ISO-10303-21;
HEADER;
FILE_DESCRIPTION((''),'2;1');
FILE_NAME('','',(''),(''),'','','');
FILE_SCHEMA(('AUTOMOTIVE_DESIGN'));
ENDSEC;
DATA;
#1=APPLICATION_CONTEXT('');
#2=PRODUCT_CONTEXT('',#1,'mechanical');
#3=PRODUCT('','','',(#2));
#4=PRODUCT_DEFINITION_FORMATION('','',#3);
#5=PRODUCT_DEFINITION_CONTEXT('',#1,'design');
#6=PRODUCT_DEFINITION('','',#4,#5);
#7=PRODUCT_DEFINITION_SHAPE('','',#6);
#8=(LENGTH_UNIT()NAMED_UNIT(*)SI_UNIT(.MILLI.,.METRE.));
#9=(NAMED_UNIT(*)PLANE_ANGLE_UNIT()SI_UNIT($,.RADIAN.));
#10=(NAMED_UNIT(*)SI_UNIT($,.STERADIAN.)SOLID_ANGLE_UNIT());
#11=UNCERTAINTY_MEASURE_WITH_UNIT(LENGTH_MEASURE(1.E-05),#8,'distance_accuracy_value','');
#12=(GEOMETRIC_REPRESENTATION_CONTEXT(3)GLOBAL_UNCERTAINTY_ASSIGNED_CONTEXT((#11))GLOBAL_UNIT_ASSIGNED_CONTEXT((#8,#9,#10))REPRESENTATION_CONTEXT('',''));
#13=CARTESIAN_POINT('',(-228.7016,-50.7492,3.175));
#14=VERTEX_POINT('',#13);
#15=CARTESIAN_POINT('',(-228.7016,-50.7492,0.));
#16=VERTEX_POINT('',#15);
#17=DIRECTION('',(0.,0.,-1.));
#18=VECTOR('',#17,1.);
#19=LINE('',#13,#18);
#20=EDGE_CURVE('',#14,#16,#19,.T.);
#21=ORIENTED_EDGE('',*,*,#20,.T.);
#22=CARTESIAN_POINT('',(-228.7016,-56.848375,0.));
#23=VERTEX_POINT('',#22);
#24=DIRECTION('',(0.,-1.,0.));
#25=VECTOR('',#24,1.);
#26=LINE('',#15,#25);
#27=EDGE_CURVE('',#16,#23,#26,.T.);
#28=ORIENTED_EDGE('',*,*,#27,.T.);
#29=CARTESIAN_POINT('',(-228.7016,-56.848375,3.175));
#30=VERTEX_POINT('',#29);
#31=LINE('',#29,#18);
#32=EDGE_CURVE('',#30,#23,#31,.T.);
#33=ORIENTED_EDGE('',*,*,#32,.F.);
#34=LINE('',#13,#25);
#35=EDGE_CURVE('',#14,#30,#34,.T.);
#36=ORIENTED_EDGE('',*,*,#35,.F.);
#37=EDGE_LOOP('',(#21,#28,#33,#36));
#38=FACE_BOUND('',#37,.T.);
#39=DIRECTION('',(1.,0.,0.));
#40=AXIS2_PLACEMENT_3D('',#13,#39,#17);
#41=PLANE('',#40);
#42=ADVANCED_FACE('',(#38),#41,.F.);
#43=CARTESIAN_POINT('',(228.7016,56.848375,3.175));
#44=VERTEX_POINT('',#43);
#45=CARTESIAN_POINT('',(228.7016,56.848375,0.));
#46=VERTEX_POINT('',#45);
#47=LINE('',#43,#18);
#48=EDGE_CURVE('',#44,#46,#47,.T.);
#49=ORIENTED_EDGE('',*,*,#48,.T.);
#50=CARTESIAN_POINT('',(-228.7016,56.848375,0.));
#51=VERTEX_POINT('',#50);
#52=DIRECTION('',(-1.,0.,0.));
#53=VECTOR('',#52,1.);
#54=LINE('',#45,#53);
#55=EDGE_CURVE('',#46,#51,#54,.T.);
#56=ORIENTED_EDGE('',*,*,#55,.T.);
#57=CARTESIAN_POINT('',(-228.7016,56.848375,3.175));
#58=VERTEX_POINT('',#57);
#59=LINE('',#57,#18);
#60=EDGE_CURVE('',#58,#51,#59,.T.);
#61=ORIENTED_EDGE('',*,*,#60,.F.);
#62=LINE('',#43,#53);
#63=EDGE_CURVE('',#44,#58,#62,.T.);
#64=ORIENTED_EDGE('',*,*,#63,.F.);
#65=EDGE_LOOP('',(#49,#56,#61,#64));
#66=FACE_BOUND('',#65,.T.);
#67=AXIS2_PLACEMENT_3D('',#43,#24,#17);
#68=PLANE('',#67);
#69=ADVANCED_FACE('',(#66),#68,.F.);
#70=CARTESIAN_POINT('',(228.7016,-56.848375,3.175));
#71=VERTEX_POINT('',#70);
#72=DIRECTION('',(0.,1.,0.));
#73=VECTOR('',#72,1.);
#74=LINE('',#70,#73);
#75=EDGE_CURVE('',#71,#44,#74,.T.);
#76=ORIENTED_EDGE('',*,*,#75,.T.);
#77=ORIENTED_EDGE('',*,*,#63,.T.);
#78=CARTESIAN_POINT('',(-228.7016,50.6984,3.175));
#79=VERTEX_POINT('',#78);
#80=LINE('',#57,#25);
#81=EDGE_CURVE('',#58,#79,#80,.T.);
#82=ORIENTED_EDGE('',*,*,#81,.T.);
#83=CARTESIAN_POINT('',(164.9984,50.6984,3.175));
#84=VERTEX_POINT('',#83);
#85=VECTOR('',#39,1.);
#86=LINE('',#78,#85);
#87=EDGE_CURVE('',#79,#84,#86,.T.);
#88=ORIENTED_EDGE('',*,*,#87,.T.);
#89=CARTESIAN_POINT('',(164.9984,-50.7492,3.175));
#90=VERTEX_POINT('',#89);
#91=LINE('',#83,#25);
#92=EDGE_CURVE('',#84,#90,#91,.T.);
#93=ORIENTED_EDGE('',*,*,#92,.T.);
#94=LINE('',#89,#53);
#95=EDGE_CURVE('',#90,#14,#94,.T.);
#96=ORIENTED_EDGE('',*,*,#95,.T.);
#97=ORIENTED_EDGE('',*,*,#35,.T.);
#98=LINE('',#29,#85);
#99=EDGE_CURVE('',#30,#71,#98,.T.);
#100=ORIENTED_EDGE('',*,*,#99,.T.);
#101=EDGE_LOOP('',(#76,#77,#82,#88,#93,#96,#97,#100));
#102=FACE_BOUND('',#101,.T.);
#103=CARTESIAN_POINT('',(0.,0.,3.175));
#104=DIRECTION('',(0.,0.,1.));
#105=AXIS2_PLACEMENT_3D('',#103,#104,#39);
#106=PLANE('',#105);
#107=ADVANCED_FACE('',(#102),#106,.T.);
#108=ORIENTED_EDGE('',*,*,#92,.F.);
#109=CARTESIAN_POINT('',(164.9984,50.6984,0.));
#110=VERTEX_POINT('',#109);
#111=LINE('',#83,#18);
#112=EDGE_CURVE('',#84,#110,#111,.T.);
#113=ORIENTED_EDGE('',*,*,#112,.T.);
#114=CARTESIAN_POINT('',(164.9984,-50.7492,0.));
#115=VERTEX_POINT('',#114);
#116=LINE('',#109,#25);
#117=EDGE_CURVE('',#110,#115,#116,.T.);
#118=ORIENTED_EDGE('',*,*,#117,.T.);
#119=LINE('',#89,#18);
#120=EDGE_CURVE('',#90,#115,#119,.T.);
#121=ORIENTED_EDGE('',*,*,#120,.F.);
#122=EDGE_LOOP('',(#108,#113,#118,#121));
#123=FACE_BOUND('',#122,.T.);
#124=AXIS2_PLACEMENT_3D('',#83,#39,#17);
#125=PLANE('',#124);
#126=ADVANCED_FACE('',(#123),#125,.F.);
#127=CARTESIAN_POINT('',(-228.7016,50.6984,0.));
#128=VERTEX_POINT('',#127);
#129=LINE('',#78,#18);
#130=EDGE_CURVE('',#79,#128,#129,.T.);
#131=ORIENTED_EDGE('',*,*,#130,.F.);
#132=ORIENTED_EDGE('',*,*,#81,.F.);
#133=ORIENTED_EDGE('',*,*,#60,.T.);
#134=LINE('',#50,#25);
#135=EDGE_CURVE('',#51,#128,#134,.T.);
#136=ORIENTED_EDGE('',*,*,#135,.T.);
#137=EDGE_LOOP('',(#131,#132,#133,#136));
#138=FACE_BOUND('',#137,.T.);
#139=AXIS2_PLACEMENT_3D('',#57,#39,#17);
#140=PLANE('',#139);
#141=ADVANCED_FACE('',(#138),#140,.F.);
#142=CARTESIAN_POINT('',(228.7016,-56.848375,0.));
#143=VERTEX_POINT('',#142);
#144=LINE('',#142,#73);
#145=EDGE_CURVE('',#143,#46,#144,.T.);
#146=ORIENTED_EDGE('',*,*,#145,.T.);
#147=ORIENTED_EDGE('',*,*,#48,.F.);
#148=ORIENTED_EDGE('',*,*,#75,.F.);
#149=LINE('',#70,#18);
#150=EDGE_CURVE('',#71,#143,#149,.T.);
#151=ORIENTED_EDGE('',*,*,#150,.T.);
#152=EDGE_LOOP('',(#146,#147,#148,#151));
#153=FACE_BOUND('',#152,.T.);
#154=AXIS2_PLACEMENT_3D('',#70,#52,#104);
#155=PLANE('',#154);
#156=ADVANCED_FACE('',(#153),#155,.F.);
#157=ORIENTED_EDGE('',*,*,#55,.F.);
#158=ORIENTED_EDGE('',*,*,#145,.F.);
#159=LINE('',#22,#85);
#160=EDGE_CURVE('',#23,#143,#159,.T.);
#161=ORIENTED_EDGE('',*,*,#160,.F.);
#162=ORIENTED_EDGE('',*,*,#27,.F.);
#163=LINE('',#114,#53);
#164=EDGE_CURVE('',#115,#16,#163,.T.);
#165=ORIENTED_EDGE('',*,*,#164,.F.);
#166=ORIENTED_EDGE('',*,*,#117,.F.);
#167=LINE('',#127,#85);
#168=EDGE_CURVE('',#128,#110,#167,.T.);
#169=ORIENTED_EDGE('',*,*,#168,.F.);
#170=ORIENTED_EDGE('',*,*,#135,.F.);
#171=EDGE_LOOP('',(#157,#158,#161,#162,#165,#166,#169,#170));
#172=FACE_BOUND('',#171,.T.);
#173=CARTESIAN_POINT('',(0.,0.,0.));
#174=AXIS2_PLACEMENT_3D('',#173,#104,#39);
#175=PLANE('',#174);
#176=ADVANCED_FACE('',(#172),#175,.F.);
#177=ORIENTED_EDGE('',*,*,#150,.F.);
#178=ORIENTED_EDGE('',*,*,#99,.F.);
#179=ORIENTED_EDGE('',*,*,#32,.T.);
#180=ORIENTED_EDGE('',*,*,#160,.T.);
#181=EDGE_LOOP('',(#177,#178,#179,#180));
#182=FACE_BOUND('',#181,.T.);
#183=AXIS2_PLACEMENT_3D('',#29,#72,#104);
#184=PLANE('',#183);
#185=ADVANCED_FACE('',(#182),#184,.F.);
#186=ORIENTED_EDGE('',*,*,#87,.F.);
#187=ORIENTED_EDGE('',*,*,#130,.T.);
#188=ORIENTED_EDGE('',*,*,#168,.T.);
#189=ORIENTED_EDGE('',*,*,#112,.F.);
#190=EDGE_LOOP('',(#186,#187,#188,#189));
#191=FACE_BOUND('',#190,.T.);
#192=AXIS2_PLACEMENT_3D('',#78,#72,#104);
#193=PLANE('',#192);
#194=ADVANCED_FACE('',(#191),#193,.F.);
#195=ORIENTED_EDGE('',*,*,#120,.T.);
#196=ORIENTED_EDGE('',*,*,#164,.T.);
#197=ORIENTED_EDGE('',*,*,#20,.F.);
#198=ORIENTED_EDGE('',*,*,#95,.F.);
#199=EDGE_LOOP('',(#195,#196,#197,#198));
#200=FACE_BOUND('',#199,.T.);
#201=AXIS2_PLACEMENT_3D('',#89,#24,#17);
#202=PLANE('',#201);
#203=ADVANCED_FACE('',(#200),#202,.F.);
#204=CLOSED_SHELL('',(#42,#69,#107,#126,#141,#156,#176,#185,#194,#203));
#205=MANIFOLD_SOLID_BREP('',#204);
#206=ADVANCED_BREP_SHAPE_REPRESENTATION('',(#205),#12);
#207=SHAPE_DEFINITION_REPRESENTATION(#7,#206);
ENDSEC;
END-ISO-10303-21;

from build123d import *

# Parameters (mm, degrees)
BOSS_EXTRUDE1_DEPTH = 3.175


with BuildPart() as part:
    # Sketch1 → Boss-Extrude1 (new body)
    with BuildSketch(Plane.XY):
        Polygon((-228.7016, -56.848375), (228.7016, -56.848375), (228.7016, 56.848375), (-228.7016, 56.848375), (-228.7016, 50.6984), (164.9984, 50.6984), (164.9984, -50.7492), (-228.7016, -50.7492), align=None)
    extrude(amount=BOSS_EXTRUDE1_DEPTH)


solid = part.part
